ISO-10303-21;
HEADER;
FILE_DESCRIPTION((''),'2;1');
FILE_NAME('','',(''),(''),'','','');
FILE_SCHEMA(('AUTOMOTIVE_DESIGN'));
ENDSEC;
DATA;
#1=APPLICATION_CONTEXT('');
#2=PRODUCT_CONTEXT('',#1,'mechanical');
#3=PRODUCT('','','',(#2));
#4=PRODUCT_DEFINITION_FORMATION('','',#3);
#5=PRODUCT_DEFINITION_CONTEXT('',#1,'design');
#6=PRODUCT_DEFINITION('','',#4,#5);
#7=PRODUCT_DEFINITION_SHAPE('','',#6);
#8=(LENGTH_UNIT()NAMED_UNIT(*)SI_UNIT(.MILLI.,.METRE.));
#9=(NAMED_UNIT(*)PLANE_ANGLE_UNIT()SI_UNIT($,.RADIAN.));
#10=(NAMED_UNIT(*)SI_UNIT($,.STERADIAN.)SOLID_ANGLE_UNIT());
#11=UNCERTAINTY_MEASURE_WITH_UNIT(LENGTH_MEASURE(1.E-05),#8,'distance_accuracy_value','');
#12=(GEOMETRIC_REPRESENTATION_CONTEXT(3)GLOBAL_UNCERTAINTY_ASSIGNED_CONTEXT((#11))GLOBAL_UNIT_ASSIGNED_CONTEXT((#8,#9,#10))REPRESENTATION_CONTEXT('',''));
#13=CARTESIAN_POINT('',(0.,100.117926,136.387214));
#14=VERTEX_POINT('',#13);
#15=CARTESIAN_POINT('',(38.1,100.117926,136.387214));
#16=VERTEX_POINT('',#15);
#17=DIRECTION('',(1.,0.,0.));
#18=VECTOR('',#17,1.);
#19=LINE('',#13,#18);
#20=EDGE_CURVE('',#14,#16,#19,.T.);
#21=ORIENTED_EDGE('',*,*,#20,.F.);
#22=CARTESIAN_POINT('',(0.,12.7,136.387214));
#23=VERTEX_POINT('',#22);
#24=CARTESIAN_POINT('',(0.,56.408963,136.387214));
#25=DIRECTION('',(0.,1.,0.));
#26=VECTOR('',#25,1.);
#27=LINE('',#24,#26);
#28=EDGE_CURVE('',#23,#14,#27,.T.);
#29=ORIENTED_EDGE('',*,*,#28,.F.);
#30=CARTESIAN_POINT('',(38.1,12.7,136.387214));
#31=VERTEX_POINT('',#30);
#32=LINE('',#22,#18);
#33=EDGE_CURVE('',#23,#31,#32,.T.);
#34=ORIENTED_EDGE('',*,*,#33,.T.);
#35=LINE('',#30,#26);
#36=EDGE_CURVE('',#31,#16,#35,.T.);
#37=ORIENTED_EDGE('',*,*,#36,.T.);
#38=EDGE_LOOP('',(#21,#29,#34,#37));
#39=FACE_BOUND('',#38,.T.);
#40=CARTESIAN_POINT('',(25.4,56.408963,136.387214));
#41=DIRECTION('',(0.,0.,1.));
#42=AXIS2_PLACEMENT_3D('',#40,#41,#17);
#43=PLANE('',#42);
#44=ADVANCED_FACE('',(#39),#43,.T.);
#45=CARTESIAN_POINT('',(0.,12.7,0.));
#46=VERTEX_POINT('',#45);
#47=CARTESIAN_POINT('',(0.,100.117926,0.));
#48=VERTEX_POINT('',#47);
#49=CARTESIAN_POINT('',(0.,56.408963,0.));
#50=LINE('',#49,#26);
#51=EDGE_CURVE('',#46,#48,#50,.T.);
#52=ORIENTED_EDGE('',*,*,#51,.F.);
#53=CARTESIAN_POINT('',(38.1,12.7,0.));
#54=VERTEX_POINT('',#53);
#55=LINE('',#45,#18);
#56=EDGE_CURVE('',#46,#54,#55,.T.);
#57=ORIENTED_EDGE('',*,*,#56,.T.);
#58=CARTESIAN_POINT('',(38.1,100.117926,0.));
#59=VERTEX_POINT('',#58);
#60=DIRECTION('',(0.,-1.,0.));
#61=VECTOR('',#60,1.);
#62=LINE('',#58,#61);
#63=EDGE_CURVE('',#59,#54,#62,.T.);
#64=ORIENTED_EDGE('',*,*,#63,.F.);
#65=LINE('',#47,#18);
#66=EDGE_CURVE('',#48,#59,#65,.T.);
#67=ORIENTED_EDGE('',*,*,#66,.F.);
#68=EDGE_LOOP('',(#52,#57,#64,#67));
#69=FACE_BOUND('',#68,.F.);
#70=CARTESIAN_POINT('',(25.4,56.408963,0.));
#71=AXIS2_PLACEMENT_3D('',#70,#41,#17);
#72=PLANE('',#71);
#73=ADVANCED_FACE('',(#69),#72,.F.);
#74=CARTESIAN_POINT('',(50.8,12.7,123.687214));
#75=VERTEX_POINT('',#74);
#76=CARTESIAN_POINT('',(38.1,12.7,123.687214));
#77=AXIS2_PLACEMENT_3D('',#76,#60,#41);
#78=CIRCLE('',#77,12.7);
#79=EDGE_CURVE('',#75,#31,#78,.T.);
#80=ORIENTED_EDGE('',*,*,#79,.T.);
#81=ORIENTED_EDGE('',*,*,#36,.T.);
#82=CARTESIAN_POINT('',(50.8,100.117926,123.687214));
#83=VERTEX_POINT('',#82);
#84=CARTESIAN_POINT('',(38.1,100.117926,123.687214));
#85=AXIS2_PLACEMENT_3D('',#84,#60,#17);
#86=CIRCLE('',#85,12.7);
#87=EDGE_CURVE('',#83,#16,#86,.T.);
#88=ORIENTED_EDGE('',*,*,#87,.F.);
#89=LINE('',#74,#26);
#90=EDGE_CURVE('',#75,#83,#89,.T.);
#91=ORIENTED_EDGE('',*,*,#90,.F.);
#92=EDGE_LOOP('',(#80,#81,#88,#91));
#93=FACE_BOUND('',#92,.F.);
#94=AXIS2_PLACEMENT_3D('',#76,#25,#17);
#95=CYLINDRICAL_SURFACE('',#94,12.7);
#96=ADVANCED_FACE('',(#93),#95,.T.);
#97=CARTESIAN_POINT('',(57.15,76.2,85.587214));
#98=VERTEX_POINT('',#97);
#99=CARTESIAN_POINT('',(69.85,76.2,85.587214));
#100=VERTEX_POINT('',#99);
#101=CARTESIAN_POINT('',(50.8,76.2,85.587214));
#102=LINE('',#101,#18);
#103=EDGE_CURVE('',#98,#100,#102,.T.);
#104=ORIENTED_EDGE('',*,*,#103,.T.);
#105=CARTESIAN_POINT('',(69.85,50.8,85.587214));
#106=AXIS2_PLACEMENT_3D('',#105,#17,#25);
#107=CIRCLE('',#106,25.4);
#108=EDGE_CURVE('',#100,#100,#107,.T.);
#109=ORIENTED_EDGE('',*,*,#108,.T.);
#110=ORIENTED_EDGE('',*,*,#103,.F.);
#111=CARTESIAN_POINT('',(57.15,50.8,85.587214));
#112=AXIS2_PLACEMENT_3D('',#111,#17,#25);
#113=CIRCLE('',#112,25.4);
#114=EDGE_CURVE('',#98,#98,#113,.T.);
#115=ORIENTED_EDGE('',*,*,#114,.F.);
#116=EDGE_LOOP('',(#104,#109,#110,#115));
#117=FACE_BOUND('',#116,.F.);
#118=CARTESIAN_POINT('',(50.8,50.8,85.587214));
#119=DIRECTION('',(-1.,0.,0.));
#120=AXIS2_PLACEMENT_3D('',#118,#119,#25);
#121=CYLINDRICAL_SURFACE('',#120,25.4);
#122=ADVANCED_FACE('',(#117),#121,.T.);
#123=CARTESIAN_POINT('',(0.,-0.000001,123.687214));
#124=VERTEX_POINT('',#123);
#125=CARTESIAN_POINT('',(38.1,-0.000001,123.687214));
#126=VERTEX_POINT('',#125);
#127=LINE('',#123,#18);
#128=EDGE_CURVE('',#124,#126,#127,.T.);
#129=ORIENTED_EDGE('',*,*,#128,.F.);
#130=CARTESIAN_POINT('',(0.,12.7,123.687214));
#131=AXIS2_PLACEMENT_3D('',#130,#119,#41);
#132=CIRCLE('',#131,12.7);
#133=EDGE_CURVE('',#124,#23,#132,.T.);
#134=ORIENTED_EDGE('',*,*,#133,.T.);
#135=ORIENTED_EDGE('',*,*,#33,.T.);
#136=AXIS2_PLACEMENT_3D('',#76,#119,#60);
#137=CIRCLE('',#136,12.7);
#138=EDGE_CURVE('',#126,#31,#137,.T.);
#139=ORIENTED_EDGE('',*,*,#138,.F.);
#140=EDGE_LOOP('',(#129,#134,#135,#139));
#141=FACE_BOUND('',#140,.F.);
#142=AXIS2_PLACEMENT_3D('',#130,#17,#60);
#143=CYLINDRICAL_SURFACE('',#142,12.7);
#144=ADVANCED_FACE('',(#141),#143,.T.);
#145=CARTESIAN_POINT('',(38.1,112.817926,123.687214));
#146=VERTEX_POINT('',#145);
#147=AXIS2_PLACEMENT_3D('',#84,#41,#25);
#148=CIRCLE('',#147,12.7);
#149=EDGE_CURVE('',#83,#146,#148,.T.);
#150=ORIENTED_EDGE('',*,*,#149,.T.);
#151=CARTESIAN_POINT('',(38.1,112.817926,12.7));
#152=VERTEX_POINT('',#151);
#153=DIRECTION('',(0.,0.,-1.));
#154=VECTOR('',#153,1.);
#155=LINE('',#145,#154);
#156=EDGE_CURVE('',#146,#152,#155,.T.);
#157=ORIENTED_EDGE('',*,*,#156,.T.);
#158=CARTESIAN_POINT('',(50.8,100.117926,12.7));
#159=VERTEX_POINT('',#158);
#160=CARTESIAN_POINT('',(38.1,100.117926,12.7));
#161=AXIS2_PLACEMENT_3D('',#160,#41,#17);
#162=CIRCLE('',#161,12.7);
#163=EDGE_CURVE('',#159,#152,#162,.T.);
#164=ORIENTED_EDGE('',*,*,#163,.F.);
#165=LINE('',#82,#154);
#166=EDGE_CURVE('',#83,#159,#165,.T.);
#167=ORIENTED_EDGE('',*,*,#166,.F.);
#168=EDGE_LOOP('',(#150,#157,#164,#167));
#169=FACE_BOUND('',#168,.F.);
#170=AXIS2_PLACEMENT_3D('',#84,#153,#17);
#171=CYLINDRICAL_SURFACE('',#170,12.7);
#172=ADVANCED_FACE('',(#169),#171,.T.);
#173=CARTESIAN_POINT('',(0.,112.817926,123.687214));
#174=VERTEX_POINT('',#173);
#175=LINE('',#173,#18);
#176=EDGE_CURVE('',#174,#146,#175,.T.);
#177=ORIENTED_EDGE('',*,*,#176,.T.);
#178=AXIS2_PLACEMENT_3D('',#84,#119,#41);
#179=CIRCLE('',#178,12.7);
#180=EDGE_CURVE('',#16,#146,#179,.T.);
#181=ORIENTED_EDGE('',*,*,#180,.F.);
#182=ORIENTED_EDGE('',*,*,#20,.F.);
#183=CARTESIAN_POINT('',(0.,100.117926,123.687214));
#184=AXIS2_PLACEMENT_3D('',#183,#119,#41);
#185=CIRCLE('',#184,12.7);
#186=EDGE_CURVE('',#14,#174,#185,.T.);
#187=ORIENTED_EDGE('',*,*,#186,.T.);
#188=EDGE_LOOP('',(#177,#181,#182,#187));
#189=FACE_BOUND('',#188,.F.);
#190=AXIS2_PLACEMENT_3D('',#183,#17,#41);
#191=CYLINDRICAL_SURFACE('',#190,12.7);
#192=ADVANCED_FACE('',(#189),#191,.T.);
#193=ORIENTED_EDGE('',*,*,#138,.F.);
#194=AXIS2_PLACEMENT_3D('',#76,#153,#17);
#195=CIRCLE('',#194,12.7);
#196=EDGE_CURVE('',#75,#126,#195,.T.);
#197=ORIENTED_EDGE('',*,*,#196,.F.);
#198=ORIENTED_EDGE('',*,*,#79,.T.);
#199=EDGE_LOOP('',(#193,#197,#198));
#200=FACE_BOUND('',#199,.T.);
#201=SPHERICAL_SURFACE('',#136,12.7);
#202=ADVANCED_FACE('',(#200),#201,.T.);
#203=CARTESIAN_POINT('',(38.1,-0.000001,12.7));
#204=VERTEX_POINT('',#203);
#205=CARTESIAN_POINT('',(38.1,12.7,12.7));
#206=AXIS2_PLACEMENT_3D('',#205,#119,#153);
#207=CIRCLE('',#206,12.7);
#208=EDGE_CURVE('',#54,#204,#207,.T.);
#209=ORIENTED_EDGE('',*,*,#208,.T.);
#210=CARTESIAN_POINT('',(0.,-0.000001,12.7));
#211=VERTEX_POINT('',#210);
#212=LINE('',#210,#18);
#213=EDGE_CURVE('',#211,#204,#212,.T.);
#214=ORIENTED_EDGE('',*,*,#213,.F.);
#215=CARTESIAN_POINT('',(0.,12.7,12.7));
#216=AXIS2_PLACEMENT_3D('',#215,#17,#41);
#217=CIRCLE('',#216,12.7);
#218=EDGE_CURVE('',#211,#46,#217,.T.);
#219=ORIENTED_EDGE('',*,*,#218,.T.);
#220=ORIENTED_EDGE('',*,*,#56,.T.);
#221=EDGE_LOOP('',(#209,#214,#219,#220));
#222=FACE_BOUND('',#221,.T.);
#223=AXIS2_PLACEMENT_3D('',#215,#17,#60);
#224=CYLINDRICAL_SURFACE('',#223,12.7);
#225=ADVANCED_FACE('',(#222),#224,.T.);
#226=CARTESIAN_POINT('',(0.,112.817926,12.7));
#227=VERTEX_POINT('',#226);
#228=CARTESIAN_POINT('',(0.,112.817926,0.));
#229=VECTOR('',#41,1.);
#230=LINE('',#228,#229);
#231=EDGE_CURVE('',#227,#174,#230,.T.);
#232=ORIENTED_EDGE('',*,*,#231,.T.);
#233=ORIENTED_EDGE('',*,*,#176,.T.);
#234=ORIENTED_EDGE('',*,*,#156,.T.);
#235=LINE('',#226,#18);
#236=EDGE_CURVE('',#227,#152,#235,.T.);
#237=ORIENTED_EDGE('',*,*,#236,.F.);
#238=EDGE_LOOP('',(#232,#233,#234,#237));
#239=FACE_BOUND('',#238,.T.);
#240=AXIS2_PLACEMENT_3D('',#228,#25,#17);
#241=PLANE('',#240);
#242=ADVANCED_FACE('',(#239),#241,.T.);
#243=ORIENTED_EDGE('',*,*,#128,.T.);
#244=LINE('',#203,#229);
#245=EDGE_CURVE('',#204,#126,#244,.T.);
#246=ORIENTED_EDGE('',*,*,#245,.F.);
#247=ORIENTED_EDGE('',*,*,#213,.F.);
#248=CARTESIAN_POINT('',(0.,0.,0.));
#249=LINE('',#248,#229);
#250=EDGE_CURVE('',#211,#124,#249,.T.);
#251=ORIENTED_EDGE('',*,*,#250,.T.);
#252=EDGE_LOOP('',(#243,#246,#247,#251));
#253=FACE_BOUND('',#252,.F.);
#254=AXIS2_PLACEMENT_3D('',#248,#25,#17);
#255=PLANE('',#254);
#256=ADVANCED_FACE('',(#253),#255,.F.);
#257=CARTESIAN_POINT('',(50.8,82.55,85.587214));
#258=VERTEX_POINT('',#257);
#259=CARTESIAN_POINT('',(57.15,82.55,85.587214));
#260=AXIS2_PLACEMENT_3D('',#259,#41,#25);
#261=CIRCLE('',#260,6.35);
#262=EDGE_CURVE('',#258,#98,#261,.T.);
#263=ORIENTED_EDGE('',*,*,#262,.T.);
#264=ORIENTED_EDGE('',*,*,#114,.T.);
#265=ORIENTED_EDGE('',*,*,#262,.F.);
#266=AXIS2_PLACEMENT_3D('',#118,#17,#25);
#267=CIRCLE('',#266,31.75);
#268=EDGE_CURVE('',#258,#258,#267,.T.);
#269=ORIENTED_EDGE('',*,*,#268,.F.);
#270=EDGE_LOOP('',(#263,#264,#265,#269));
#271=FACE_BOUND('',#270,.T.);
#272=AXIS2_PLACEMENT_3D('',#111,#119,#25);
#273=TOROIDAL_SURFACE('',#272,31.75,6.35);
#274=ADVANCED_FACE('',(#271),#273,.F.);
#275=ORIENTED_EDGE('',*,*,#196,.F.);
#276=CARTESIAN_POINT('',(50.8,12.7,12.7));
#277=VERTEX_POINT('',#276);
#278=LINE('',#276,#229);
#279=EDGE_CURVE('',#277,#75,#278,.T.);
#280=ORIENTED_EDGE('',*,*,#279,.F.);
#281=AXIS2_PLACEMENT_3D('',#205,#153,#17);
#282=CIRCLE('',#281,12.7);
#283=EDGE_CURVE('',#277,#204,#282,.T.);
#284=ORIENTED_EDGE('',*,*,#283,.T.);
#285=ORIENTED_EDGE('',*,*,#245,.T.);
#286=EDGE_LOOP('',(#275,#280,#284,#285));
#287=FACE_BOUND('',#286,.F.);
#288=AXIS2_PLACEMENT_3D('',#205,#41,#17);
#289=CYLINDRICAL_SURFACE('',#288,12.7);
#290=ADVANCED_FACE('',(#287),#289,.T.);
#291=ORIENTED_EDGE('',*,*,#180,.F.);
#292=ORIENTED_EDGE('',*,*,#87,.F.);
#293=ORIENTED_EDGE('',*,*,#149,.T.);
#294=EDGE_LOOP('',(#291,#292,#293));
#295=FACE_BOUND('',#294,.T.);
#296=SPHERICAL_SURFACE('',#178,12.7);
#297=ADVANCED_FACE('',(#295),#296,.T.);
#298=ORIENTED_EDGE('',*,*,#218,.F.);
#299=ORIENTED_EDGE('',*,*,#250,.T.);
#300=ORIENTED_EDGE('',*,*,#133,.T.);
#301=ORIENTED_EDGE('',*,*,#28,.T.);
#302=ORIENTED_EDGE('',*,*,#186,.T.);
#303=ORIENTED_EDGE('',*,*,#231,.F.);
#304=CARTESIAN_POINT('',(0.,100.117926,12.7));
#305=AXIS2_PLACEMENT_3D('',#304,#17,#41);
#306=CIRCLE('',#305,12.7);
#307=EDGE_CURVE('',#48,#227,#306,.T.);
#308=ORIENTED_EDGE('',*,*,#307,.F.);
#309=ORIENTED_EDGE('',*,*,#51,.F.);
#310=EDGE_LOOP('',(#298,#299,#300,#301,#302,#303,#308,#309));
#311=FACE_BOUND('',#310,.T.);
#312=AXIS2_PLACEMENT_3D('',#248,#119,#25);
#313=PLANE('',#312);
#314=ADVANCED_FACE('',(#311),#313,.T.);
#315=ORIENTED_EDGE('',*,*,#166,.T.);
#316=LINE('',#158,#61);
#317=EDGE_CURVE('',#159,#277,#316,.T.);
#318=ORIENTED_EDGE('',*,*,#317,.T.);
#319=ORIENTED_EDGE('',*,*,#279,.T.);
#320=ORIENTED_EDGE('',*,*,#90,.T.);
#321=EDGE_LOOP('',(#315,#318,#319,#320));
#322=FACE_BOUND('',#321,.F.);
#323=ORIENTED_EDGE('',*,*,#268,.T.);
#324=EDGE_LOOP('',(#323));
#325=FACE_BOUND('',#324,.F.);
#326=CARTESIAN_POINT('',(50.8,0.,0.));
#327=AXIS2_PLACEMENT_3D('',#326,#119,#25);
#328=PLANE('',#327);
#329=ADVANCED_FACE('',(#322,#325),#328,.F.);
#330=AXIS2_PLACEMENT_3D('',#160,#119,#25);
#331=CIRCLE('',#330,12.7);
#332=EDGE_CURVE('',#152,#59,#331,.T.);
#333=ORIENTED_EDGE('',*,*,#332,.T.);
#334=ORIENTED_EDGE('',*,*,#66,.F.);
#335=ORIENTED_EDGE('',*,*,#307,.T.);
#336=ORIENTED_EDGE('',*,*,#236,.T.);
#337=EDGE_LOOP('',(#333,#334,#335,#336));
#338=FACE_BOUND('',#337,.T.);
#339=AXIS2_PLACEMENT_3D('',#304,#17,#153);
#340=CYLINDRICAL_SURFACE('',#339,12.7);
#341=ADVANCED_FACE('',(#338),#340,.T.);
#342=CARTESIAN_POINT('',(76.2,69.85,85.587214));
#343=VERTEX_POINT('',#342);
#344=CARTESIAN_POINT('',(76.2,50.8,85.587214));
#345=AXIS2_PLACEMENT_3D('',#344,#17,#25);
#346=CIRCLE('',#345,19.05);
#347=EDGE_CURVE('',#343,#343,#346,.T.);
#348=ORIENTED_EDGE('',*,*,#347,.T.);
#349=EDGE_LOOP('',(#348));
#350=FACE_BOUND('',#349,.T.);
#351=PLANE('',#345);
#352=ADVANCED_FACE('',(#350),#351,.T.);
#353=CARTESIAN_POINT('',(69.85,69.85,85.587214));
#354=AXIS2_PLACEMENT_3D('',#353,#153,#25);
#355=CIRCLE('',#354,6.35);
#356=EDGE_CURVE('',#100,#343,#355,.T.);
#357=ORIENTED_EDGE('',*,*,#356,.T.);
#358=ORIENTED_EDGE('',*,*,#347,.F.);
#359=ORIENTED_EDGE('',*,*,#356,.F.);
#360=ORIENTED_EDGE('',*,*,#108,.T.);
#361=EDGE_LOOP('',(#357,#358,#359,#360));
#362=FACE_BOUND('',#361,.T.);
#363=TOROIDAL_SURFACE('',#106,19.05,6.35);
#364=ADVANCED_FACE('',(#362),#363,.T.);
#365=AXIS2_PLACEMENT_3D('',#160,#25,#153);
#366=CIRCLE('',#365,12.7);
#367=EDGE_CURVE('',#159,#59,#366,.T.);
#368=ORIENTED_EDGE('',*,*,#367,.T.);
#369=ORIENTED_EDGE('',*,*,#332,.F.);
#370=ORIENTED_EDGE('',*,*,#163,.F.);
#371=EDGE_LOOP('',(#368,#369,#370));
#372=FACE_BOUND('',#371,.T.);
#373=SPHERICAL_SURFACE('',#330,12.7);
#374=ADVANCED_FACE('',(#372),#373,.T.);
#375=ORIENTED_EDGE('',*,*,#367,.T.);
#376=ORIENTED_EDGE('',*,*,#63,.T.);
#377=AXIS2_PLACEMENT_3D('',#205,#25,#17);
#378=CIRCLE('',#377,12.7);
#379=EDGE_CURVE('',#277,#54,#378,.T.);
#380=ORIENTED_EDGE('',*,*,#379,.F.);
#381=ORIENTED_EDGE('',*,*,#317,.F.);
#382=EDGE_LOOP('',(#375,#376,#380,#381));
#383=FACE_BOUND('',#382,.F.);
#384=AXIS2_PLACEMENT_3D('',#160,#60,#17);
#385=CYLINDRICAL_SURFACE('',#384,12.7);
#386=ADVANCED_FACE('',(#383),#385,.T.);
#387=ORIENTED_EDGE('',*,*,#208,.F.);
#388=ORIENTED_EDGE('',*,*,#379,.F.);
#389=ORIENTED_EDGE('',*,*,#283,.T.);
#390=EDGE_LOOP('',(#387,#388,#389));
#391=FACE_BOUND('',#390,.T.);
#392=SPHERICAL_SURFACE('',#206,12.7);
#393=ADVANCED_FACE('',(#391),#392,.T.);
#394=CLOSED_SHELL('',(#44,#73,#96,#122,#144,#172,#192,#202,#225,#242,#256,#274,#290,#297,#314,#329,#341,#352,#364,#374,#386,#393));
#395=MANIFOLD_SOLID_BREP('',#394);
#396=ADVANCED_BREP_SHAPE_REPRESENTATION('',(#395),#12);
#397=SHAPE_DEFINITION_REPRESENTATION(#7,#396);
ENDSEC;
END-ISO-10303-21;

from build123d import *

# Parameters (mm, degrees)
F0_W     = 50.8
F0_H     = 112.817927
F1_DEPTH = 136.387214
F2_R     = 25.4
F3_DEPTH = 25.4
F4_R     = 6.35
F5_R     = 12.7
F6_R     = 12.7


with BuildPart() as f1:
    # F0 (on Top) → F1 (new body)
    with BuildSketch(Plane.XY):
        with Locations((25.4, 56.408963)):
            Rectangle(F0_W, F0_H)
    extrude(amount=F1_DEPTH)

    # F2 (on face) → F3 (join)
    with BuildSketch(Plane.YZ.offset(50.8)):
        with Locations((50.8, 85.587214)):
            Circle(F2_R)
    extrude(amount=F3_DEPTH)

    # F4
    f4_edges = [f1.edges().sort_by_distance(p)[0] for p in [
        (76.2, 25.4, 85.587214),
        (50.8, 25.4, 85.587214),
    ]]
    fillet(f4_edges, radius=F4_R)

    # F5
    f5_edges = [f1.edges().sort_by_distance(p)[0] for p in [
        (25.4, 112.817927, 136.387214),
        (25.4, 112.817927, 0),
        (25.4, 0, 0),
        (25.4, 0, 136.387214),
    ]]
    fillet(f5_edges, radius=F5_R)

    # F6
    f6_edges = [f1.edges().sort_by_distance(p)[0] for p in [
        (50.8, 0, 68.193607),
    ]]
    fillet(f6_edges, radius=F6_R)


solid = f1.part
